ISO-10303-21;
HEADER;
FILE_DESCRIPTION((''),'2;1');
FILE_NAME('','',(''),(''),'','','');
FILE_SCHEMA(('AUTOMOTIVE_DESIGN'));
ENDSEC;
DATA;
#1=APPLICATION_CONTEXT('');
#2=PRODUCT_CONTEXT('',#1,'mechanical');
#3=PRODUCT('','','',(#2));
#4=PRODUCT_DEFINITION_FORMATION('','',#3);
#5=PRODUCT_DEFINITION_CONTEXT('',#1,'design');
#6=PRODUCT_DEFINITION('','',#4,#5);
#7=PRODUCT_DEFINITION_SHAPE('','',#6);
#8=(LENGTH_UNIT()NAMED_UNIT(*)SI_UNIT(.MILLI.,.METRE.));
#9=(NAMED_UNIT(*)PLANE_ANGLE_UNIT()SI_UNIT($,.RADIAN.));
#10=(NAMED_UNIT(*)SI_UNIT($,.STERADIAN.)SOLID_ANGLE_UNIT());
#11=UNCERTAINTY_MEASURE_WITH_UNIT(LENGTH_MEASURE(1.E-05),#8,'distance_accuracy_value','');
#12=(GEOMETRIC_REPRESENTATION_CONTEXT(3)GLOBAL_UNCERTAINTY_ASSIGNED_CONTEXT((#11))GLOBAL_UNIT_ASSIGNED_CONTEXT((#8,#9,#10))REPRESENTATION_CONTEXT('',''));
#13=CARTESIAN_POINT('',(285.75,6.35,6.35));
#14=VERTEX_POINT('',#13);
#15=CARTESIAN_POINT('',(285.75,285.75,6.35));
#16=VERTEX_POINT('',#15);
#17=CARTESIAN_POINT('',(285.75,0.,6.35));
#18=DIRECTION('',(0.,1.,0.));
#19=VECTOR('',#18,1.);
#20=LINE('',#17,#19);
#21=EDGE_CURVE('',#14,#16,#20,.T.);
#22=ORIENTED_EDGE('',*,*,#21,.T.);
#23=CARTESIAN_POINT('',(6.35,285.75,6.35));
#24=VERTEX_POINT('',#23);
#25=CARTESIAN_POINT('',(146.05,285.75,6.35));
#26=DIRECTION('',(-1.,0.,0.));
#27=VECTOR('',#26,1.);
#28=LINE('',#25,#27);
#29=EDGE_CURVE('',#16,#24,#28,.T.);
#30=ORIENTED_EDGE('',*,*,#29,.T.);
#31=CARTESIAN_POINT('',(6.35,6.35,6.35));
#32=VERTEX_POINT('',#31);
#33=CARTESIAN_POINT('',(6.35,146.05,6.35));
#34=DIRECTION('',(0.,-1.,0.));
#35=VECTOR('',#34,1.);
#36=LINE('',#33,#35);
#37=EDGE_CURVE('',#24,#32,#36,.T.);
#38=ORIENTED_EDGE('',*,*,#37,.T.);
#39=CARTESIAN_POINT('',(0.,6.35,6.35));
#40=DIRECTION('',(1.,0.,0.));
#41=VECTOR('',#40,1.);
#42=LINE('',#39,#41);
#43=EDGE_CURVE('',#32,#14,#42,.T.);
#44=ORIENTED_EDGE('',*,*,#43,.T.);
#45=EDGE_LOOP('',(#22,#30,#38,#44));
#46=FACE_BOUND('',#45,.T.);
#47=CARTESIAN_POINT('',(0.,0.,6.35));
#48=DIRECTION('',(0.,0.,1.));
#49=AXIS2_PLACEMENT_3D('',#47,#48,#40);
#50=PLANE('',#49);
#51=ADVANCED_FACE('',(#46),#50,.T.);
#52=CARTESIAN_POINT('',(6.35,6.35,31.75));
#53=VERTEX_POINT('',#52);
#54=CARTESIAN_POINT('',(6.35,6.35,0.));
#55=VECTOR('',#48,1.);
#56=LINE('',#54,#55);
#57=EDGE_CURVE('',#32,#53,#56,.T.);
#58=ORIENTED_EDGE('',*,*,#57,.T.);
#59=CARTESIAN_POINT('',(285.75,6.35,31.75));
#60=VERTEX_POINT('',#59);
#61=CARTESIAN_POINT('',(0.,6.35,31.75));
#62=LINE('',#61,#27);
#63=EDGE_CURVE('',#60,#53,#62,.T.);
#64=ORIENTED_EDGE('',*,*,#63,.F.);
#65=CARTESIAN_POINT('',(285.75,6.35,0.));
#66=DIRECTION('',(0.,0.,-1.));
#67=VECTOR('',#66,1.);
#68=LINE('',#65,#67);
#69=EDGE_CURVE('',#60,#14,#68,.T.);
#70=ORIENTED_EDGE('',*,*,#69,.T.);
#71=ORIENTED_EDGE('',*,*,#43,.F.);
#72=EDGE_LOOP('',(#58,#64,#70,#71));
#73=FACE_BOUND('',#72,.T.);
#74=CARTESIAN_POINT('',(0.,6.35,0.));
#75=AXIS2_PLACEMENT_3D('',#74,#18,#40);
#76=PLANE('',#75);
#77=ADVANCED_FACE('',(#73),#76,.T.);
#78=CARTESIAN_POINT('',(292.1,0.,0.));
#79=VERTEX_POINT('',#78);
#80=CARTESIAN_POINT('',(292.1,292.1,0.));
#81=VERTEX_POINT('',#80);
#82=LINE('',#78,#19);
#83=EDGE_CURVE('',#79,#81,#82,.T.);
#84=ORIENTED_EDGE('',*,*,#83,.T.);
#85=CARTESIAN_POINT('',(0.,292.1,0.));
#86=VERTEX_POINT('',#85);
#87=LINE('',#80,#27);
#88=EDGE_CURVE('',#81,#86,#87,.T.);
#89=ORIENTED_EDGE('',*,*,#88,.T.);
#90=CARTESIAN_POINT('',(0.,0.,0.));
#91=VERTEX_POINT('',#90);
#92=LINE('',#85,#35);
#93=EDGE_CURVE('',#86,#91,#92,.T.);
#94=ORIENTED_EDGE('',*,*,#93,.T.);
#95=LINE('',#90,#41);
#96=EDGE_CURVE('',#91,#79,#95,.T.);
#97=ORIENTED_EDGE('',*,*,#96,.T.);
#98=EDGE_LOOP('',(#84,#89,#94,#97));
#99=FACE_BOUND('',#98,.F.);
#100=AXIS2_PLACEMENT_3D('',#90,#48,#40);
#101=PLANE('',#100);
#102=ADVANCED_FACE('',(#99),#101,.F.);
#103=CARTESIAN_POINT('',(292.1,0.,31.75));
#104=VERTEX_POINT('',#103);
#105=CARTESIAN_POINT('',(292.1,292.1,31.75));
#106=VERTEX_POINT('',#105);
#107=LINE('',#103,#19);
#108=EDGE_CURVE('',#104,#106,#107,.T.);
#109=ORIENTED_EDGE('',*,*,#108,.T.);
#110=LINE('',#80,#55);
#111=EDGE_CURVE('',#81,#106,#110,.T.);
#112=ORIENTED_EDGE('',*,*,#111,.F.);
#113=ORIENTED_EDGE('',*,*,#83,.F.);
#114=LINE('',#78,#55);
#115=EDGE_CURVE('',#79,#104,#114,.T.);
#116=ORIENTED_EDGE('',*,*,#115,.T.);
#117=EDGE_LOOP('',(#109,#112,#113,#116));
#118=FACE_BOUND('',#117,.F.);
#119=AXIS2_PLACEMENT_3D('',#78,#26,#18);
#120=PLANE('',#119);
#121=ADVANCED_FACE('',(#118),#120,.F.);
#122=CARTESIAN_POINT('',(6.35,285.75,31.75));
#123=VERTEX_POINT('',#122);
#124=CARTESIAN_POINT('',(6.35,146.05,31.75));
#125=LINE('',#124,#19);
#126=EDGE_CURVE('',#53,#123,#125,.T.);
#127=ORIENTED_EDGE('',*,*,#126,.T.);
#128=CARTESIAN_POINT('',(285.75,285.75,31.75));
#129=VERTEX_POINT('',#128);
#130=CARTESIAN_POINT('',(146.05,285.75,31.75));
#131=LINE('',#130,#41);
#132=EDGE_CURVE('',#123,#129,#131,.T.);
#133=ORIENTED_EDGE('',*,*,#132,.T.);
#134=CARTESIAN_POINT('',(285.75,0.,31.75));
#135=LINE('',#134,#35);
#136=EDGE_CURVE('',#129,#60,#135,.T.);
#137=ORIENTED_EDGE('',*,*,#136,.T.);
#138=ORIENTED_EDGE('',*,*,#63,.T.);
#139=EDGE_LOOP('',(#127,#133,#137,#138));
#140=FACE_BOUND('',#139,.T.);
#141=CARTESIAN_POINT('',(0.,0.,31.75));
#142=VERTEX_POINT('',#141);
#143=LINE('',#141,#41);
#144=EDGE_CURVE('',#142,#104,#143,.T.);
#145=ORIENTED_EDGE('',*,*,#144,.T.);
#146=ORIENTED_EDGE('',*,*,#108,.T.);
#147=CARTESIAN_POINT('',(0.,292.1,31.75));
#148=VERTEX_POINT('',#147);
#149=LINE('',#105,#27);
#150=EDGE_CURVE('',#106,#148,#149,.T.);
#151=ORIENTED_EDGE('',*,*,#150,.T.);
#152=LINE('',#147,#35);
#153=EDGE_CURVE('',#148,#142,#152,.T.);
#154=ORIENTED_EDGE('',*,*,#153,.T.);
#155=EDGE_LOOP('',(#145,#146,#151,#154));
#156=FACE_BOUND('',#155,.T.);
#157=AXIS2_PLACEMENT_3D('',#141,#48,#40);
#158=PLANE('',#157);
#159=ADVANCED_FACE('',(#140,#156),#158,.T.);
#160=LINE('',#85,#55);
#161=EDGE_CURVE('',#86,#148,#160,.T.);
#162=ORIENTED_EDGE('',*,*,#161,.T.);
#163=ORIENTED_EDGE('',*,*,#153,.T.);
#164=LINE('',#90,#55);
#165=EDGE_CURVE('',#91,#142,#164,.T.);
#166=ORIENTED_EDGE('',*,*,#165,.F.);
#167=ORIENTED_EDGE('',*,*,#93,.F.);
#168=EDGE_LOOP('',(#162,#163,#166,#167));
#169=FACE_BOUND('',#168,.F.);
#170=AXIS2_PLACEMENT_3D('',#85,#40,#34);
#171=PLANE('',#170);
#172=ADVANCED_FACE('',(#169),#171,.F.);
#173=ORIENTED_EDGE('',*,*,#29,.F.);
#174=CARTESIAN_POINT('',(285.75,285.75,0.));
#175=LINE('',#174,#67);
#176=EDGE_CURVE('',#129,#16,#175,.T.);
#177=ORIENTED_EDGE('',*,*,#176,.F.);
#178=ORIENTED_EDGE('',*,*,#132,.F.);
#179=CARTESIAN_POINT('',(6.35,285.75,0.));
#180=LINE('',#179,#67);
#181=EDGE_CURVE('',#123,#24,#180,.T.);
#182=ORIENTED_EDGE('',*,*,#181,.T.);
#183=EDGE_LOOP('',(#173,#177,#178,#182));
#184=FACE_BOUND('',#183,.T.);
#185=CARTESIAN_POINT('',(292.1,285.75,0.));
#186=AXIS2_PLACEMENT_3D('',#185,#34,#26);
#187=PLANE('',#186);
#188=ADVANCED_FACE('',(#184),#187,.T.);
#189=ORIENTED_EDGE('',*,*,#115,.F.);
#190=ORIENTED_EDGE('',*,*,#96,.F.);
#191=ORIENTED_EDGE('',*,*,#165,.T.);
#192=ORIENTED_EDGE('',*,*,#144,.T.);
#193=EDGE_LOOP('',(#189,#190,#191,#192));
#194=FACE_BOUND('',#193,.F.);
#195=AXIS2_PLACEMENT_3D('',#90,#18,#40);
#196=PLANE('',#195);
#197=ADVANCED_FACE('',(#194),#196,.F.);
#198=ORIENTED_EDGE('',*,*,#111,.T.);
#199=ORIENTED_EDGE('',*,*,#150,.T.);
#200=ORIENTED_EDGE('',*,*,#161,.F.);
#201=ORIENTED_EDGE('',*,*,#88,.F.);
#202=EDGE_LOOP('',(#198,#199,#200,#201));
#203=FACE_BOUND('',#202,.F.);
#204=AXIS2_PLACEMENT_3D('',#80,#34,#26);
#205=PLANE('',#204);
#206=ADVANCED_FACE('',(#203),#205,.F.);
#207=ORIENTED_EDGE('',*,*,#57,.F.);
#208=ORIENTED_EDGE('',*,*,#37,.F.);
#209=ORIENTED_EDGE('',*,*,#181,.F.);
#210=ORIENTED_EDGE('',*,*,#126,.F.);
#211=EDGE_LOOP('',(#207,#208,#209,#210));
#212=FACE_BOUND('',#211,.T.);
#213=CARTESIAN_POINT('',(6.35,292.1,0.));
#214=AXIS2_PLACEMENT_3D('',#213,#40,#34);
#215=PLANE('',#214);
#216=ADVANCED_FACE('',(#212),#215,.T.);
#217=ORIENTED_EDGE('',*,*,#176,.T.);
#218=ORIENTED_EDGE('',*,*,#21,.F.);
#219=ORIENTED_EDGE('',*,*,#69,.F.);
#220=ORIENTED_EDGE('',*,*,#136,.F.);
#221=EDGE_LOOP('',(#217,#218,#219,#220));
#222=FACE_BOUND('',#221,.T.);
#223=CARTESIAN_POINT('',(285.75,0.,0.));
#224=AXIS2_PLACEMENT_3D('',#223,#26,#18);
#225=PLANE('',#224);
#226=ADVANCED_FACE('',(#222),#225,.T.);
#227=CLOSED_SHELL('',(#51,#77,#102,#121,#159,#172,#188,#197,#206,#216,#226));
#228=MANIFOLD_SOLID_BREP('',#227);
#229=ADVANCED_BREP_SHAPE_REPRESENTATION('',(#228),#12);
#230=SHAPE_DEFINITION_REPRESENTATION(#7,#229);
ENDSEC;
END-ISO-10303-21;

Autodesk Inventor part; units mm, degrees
ref_plane "Work Plane1" through (146.05, 0, 0) normal (-1, 0, 0) x (0, 0, 1)
ref_plane "Work Plane2" through (0, 146.05, 0) normal (0, 1, 0) x (1, 0, 0)
ref_plane "YZ Plane" through (0, 0, 0) normal (1, 0, 0) x (0, 1, 0)
sketch "Sketch1" plane through (0, 0, 0) normal (0, 0, 1) x (1, 0, 0)
  line L0 (0, 0) -> (292.1, 0)
  line L1 (292.1, 0) -> (292.1, 292.1)
  line L2 (292.1, 292.1) -> (0, 292.1)
  line L3 (0, 292.1) -> (0, 0)
  dimension "d11" = 292.1
  dimension "d12" = 292.1
extrude "Extrusion3" add sketch "Sketch1" along normal blind 31.75
sketch "Sketch2" plane through (0, 0, 0) normal (-1, 0, 0) x (0, 0, 1)
  line L0 (31.75, 0) -> (31.75, 292.1) projected
  line L1 (31.75, 0) -> (31.75, 88.9)
  line L2 (31.75, 292.1) -> (31.75, 203.2)
  point P0 (0, 0)
  dimension "d15" = 88.9
  dimension "d16" = 88.9
shell "Shell1" thickness 6.35 removed faces 1 at (97.3667, 194.7333, 31.75)
sketch "Sketch3" plane through (6.35, 6.35, 6.35) normal (1, 0, 0) x (0, 0, -1)
  line L0 (0, 279.4) -> (0, 0) projected
  line L1 (0, 279.4) -> (-25.4, 279.4) projected
  line L2 (-25.4, 0) -> (-25.4, 279.4) projected
  line L3 (0, 0) -> (-25.4, 0) projected
  line L4 (0, 279.4) -> (-25.4, 279.4) projected
  line L5 (-25.4, 260.35) -> (0, 260.35) construction
  line L6 (0, 279.4) -> (0, 0) projected
  line L7 (6.35, 285.75) -> (-25.4, 285.75) projected
  line L8 (6.35, -6.35) -> (-25.4, -6.35) projected
  point P0 (-6.5, 260.35)
  point P1 (-6.5, 196.85)
  point P2 (-6.5, 82.55)
  point P3 (-6.5, 19.05)
  dimension "d20" = 25.4
  dimension "d22" = 88.9
  dimension "d23" = 88.9
  dimension "d24" = 25.4
  dimension "d28" = 6.5
sketch "Sketch4" plane through (285.75, 6.35, 6.35) normal (-1, 0, 0) x (0, 0, 1)
  line L0 (0, 0) -> (0, 279.4) projected
  line L1 (0, 0) -> (19.05, 0) projected
  line L2 (19.05, 279.4) -> (19.05, 0) projected
  line L3 (0, 279.4) -> (19.05, 279.4) projected
  line L4 (19.05, 0) -> (0, 21.4113)
  line L5 (0, 0) -> (0, 279.4) projected
  point P0 (-6.35, -6.35)
  point P1 (0, 21.4113)
  dimension "d25" = 41.66
equation "\"d23\" = d22"
equation "\"d24\" = d20"
properties part number "Bottom Base"
